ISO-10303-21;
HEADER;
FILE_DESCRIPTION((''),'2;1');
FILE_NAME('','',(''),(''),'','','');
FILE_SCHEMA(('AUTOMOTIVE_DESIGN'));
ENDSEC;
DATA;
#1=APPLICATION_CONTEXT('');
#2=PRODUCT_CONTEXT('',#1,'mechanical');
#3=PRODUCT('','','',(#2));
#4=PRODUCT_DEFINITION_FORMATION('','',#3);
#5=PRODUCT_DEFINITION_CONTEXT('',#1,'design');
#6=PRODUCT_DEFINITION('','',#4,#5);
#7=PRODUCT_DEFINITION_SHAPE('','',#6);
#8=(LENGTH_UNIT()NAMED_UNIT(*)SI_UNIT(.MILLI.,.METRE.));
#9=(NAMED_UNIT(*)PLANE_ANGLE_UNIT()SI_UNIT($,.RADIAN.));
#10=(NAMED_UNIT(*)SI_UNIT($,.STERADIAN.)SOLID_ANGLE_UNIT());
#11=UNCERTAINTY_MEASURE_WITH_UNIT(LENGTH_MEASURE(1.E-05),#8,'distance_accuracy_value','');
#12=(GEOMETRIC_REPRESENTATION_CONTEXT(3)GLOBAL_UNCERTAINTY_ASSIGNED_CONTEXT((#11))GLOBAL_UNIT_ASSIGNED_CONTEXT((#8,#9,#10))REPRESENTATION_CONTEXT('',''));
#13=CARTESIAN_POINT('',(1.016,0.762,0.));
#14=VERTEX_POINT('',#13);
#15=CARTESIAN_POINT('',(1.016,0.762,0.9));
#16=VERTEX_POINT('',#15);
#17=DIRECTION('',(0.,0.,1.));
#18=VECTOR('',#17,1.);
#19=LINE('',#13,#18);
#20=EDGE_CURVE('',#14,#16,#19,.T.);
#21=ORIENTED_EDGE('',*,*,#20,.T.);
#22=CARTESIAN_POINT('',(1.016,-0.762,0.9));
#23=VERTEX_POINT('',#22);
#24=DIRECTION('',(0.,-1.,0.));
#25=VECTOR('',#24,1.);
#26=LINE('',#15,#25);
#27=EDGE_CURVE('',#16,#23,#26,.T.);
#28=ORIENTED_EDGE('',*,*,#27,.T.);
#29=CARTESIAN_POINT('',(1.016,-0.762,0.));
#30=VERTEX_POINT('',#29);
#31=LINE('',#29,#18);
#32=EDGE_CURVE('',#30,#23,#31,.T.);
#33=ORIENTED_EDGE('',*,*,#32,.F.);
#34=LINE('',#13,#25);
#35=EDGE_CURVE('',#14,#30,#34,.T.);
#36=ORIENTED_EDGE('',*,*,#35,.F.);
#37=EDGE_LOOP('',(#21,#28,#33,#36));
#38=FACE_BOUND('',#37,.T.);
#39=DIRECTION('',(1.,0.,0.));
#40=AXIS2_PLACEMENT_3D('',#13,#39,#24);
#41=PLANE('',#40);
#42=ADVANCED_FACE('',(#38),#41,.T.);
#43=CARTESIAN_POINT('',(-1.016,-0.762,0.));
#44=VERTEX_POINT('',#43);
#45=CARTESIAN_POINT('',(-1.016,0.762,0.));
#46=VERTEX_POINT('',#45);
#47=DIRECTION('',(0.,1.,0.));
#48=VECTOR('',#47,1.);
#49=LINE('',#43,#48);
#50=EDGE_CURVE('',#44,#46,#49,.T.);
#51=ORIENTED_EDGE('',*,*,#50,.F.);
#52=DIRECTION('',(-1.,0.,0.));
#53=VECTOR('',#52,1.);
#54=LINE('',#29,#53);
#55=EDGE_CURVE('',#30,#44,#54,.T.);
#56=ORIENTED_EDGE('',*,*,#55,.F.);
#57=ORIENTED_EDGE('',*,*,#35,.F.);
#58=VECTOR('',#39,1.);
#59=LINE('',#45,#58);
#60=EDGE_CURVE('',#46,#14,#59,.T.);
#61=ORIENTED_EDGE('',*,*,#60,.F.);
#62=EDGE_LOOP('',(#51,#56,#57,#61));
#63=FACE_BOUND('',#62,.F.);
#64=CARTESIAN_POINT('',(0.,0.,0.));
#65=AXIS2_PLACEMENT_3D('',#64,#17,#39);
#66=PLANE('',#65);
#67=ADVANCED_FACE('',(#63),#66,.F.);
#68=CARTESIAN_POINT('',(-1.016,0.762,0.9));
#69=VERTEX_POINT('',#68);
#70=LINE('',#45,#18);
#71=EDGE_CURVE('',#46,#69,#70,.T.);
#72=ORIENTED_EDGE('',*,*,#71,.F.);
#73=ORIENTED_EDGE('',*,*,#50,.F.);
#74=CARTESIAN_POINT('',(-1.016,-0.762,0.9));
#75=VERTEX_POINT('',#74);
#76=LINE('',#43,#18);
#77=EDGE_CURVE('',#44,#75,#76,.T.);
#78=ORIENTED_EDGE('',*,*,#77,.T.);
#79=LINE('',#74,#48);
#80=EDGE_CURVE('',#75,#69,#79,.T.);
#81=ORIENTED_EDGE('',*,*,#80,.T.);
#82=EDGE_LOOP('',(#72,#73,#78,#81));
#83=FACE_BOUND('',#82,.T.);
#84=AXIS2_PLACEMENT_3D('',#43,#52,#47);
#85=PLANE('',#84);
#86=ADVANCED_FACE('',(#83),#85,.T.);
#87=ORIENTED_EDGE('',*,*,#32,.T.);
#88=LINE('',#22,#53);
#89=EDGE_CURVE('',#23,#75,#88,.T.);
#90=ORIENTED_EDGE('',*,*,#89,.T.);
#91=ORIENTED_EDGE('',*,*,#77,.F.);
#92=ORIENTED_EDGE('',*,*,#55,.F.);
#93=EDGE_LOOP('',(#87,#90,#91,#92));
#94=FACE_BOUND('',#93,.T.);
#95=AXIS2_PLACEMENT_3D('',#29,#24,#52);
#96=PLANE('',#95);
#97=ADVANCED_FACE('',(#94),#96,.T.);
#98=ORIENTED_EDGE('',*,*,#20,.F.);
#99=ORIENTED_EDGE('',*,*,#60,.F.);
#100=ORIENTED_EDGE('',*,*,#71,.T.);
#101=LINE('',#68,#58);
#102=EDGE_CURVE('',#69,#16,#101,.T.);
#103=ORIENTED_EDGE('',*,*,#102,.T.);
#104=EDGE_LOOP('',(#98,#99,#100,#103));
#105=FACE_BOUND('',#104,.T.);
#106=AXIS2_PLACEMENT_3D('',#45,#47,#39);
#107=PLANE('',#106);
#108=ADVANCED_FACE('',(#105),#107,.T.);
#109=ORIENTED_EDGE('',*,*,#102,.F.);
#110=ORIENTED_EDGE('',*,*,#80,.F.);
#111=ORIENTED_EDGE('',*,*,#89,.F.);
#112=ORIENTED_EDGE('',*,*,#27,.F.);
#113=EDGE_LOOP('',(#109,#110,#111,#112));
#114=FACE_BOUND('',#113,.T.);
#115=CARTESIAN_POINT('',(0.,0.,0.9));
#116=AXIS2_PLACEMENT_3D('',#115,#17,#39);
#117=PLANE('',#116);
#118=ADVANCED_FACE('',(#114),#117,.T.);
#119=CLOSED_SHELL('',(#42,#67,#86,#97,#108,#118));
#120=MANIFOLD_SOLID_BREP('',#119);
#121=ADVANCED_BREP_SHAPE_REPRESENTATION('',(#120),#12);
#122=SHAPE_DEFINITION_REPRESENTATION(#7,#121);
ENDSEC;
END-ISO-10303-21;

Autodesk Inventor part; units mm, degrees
ref_plane "YZ Plane" through (0, 0, 0) normal (1, 0, 0) x (0, 1, 0)
ref_plane "XZ Plane" through (0, 0, 0) normal (0, 1, 0) x (-1, 0, 0)
ref_plane "XY Plane" through (0, 0, 0) normal (0, 0, 1) x (1, 0, 0)
sketch "C0805, 1uF_69" plane through (0, 0, 0) normal (0, 0, 1) x (1, 0, 0)
  line L0 (1.016, 0.762) -> (1.016, -0.762)
  line L1 (1.016, -0.762) -> (-1.016, -0.762)
  line L2 (-1.016, -0.762) -> (-1.016, 0.762)
  line L3 (-1.016, 0.762) -> (1.016, 0.762)
extrude "Extrusion1" add sketch "C0805, 1uF_69" along normal blind 0.9
properties part number "1uF"
